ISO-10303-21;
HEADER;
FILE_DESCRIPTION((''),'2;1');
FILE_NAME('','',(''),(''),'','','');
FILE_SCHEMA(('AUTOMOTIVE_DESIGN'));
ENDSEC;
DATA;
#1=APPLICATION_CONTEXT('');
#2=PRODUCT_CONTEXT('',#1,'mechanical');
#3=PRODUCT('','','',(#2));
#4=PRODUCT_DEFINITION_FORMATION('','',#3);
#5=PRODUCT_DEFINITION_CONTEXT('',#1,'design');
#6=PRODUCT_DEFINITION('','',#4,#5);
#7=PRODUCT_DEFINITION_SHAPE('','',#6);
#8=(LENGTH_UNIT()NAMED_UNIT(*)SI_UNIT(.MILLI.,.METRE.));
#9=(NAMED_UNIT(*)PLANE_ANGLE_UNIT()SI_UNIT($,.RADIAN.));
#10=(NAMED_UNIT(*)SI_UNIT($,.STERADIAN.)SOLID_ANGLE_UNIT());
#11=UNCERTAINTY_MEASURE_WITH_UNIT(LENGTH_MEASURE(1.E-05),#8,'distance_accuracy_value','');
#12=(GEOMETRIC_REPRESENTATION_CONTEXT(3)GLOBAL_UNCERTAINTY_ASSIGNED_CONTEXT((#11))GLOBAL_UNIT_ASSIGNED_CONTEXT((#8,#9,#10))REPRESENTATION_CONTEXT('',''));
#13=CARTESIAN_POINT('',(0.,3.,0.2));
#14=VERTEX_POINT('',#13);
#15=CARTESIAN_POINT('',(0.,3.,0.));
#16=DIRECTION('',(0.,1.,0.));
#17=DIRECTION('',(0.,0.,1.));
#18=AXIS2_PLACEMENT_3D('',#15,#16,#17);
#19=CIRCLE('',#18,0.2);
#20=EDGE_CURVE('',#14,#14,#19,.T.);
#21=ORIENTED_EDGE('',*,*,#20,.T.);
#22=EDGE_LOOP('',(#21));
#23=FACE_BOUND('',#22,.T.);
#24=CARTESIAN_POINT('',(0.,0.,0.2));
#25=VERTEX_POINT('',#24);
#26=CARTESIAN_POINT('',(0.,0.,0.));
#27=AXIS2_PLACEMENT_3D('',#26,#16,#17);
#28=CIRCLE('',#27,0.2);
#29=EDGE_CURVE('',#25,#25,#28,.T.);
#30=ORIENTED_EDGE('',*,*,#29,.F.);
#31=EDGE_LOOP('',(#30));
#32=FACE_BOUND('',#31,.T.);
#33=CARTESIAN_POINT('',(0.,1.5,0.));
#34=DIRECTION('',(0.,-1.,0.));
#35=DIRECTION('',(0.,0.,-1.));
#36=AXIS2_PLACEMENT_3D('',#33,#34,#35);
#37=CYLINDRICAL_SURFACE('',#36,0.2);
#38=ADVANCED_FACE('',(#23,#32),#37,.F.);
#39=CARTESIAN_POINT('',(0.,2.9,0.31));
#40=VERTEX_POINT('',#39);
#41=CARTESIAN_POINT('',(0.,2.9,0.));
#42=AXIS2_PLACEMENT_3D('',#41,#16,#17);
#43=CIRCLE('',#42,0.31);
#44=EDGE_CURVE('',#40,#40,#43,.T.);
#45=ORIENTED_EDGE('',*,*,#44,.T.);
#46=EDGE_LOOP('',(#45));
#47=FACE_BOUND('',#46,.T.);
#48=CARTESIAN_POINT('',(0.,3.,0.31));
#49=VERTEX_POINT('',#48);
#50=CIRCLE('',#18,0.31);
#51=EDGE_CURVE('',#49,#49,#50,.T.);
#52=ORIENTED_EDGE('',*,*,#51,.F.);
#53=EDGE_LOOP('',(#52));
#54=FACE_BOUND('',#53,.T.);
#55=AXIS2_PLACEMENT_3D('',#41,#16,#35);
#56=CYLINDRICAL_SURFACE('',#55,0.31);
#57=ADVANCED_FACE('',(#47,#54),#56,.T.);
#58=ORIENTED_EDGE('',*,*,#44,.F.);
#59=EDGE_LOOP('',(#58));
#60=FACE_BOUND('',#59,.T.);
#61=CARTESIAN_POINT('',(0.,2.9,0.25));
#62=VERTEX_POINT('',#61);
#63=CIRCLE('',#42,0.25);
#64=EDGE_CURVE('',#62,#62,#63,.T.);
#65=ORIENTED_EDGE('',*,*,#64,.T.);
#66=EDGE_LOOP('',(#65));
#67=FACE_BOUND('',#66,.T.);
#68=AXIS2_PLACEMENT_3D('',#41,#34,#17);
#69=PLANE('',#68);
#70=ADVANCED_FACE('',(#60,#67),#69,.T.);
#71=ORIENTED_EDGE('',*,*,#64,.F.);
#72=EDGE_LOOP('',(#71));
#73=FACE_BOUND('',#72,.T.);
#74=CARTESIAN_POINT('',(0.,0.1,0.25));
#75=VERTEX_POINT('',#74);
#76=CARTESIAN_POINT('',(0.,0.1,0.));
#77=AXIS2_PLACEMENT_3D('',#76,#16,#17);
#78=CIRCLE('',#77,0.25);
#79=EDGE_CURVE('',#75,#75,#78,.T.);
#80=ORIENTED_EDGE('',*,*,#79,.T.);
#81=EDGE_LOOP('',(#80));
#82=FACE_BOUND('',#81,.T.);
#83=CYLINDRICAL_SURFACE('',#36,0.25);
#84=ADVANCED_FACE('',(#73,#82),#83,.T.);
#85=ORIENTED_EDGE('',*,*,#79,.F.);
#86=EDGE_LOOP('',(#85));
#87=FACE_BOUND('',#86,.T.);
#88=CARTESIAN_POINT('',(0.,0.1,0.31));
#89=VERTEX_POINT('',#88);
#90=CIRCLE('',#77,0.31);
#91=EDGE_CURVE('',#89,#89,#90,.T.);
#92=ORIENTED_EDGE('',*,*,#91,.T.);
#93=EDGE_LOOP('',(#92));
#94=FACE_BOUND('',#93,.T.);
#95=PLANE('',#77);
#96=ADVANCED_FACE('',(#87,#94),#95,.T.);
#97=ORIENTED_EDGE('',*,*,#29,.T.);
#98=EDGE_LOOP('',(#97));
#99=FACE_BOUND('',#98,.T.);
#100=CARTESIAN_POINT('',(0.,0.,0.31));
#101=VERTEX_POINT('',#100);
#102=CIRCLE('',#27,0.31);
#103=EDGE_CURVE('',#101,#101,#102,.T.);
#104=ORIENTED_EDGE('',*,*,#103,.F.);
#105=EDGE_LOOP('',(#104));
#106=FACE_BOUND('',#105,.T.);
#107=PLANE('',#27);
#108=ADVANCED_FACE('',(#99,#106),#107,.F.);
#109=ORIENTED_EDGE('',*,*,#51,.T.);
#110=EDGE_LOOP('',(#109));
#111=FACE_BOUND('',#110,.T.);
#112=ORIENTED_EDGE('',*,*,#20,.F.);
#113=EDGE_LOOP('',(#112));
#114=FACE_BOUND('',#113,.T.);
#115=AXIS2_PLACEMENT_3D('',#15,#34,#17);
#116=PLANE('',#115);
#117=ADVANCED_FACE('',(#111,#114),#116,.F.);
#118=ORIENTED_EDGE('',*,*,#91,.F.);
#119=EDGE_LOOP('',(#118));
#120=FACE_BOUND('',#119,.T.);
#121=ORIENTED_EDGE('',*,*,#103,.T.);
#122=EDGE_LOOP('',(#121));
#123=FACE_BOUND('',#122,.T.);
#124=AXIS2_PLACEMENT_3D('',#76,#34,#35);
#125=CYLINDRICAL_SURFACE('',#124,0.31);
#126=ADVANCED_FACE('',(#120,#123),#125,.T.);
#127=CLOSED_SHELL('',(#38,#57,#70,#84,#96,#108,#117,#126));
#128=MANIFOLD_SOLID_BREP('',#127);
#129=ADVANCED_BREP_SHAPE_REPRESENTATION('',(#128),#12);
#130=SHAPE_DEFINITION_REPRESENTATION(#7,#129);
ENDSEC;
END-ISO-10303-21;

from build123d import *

# Parameters (mm, degrees)
SKETCH3_R   = 0.25
SKETCH3_R_2 = 0.2
SKETCH6_R   = 0.31
SKETCH6_R_2 = 0.21


with BuildPart() as part:
    # Sweep-Thin1: sweep along a path in Sketch1
    with BuildLine(Plane.XY) as sweep_thin1_path:
        Line((0, 0), (0, 1.5))
    # Sketch3 → Sweep-Thin1 (sweep)
    with BuildSketch(Plane(origin=(0, 0, 0), x_dir=(1, 0, 0), z_dir=(0, 1, 0))):
        Circle(SKETCH3_R)
        Circle(SKETCH3_R_2, mode=Mode.SUBTRACT)
    sweep(path=sweep_thin1_path.line)

    # Sweep-Thin2: sweep along a path in Sketch5
    with BuildLine(Plane.XY) as sweep_thin2_path:
        Line((0, 0), (0, 0.1))
    # Sketch6 → Sweep-Thin2 (sweep)
    with BuildSketch(Plane(origin=(0, 0, 0), x_dir=(1, 0, 0), z_dir=(0, 1, 0))):
        Circle(SKETCH6_R)
        Circle(SKETCH6_R_2, mode=Mode.SUBTRACT)
    sweep(path=sweep_thin2_path.line)

    # Mirror2: part across plane


with BuildPart() as part_1:
    add(part.part)
    add(part.part.mirror(Plane.ZX.offset(1.5)))


solid = part_1.part
